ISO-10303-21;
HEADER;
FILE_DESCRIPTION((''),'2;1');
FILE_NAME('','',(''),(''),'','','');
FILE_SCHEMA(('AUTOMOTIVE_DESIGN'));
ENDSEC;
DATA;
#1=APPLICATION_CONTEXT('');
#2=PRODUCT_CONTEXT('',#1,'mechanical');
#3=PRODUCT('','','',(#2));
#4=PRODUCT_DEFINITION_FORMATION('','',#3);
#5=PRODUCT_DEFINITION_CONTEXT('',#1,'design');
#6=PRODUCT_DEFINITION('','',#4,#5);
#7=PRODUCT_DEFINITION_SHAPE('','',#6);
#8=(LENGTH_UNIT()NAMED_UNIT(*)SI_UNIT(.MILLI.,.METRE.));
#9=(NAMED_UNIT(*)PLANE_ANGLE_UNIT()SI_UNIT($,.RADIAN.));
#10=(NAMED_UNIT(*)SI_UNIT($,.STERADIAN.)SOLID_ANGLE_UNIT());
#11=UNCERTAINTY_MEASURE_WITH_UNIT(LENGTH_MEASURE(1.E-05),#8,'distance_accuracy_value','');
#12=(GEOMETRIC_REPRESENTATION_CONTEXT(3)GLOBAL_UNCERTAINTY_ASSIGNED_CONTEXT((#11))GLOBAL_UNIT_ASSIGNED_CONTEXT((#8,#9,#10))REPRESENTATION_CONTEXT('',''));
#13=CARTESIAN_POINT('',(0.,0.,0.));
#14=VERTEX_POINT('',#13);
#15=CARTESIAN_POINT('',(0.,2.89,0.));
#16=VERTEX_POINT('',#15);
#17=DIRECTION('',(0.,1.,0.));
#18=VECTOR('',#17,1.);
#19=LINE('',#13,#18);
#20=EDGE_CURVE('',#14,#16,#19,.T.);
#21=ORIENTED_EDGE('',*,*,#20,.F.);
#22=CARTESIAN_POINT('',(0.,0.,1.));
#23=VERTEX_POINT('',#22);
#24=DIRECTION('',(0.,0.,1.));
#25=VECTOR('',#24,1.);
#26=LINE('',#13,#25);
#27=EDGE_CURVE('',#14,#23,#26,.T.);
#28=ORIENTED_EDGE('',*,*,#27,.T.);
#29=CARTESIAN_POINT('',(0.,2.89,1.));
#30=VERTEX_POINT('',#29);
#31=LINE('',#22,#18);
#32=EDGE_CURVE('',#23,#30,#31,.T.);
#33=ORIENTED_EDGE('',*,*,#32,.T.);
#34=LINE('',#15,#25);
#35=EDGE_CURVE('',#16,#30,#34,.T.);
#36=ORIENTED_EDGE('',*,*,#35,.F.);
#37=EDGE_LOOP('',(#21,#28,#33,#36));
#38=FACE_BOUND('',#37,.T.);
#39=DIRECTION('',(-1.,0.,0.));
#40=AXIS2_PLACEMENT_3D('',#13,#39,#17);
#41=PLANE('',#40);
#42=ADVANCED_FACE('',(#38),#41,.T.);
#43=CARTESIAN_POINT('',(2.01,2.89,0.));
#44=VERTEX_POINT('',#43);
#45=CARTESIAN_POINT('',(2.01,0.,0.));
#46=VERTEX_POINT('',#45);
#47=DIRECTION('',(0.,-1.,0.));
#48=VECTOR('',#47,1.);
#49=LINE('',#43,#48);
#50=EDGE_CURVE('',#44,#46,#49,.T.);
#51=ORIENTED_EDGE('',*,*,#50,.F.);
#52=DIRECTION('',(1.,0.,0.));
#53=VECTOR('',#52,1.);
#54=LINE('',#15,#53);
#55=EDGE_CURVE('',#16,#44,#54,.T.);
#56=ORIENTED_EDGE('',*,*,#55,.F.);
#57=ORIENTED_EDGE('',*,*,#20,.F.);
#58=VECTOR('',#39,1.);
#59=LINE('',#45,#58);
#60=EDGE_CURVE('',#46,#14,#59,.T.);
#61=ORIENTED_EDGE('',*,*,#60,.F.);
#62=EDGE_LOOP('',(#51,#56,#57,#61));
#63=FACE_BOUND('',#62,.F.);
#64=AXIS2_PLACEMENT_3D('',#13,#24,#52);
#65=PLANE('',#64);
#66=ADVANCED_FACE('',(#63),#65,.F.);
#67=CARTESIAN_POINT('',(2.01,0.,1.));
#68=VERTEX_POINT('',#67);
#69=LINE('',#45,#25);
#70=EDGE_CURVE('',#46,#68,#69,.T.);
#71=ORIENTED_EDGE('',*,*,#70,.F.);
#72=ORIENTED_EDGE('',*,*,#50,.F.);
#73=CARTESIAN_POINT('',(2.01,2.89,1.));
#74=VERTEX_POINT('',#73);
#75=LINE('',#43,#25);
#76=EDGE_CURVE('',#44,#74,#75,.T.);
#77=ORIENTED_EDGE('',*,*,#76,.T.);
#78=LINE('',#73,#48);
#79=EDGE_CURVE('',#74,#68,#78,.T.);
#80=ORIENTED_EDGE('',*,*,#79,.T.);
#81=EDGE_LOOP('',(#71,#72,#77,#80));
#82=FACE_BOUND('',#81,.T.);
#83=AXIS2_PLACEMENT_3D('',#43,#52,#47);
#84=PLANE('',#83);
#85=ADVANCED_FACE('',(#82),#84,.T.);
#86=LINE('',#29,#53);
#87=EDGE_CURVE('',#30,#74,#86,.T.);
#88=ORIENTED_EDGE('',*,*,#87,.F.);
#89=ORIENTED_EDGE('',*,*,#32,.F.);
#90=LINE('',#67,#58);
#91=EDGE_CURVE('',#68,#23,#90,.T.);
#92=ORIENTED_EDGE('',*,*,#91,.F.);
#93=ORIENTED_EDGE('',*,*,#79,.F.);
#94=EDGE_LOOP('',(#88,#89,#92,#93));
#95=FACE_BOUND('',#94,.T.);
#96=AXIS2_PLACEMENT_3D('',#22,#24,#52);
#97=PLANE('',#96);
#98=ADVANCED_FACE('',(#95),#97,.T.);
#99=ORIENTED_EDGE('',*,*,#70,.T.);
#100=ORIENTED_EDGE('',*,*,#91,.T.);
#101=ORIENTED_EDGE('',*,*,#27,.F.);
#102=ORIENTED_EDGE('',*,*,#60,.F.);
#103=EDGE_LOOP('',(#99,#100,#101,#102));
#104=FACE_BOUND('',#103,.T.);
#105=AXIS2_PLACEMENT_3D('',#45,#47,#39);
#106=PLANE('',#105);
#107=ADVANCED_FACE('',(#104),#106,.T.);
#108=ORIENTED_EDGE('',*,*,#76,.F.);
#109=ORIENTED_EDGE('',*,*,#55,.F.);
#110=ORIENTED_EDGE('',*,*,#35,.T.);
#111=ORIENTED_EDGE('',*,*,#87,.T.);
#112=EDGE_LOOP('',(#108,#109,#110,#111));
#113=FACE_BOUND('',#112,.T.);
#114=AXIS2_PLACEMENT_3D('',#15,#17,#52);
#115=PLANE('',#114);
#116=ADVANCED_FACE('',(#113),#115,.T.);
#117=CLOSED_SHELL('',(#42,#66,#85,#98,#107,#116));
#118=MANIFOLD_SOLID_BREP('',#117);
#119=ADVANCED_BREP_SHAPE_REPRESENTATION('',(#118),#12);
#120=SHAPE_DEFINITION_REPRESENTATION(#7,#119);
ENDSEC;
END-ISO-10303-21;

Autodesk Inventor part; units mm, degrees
ref_plane "YZ Plane" through (0, 0, 0) normal (1, 0, 0) x (0, 1, 0)
ref_plane "XZ Plane" through (0, 0, 0) normal (0, 1, 0) x (-1, 0, 0)
ref_plane "XY Plane" through (0, 0, 0) normal (0, 0, 1) x (1, 0, 0)
sketch "SFE_LOGO_FLAME__1, SFE_LOGO_FLAME_1_INCH_28" plane through (0, 0, 0) normal (0, 0, 1) x (1, 0, 0)
  line L0 (0, 2.89) -> (2.01, 2.89)
  line L1 (2.01, 2.89) -> (2.01, 0)
  line L2 (2.01, 0) -> (0, 0)
  line L3 (0, 0) -> (0, 2.89)
extrude "Extrusion1" add sketch "SFE_LOGO_FLAME__1, SFE_LOGO_FLAME_1_INCH_28" along normal blind 1
properties part number "SFE_LOGO_FLAME_1_INCH"
